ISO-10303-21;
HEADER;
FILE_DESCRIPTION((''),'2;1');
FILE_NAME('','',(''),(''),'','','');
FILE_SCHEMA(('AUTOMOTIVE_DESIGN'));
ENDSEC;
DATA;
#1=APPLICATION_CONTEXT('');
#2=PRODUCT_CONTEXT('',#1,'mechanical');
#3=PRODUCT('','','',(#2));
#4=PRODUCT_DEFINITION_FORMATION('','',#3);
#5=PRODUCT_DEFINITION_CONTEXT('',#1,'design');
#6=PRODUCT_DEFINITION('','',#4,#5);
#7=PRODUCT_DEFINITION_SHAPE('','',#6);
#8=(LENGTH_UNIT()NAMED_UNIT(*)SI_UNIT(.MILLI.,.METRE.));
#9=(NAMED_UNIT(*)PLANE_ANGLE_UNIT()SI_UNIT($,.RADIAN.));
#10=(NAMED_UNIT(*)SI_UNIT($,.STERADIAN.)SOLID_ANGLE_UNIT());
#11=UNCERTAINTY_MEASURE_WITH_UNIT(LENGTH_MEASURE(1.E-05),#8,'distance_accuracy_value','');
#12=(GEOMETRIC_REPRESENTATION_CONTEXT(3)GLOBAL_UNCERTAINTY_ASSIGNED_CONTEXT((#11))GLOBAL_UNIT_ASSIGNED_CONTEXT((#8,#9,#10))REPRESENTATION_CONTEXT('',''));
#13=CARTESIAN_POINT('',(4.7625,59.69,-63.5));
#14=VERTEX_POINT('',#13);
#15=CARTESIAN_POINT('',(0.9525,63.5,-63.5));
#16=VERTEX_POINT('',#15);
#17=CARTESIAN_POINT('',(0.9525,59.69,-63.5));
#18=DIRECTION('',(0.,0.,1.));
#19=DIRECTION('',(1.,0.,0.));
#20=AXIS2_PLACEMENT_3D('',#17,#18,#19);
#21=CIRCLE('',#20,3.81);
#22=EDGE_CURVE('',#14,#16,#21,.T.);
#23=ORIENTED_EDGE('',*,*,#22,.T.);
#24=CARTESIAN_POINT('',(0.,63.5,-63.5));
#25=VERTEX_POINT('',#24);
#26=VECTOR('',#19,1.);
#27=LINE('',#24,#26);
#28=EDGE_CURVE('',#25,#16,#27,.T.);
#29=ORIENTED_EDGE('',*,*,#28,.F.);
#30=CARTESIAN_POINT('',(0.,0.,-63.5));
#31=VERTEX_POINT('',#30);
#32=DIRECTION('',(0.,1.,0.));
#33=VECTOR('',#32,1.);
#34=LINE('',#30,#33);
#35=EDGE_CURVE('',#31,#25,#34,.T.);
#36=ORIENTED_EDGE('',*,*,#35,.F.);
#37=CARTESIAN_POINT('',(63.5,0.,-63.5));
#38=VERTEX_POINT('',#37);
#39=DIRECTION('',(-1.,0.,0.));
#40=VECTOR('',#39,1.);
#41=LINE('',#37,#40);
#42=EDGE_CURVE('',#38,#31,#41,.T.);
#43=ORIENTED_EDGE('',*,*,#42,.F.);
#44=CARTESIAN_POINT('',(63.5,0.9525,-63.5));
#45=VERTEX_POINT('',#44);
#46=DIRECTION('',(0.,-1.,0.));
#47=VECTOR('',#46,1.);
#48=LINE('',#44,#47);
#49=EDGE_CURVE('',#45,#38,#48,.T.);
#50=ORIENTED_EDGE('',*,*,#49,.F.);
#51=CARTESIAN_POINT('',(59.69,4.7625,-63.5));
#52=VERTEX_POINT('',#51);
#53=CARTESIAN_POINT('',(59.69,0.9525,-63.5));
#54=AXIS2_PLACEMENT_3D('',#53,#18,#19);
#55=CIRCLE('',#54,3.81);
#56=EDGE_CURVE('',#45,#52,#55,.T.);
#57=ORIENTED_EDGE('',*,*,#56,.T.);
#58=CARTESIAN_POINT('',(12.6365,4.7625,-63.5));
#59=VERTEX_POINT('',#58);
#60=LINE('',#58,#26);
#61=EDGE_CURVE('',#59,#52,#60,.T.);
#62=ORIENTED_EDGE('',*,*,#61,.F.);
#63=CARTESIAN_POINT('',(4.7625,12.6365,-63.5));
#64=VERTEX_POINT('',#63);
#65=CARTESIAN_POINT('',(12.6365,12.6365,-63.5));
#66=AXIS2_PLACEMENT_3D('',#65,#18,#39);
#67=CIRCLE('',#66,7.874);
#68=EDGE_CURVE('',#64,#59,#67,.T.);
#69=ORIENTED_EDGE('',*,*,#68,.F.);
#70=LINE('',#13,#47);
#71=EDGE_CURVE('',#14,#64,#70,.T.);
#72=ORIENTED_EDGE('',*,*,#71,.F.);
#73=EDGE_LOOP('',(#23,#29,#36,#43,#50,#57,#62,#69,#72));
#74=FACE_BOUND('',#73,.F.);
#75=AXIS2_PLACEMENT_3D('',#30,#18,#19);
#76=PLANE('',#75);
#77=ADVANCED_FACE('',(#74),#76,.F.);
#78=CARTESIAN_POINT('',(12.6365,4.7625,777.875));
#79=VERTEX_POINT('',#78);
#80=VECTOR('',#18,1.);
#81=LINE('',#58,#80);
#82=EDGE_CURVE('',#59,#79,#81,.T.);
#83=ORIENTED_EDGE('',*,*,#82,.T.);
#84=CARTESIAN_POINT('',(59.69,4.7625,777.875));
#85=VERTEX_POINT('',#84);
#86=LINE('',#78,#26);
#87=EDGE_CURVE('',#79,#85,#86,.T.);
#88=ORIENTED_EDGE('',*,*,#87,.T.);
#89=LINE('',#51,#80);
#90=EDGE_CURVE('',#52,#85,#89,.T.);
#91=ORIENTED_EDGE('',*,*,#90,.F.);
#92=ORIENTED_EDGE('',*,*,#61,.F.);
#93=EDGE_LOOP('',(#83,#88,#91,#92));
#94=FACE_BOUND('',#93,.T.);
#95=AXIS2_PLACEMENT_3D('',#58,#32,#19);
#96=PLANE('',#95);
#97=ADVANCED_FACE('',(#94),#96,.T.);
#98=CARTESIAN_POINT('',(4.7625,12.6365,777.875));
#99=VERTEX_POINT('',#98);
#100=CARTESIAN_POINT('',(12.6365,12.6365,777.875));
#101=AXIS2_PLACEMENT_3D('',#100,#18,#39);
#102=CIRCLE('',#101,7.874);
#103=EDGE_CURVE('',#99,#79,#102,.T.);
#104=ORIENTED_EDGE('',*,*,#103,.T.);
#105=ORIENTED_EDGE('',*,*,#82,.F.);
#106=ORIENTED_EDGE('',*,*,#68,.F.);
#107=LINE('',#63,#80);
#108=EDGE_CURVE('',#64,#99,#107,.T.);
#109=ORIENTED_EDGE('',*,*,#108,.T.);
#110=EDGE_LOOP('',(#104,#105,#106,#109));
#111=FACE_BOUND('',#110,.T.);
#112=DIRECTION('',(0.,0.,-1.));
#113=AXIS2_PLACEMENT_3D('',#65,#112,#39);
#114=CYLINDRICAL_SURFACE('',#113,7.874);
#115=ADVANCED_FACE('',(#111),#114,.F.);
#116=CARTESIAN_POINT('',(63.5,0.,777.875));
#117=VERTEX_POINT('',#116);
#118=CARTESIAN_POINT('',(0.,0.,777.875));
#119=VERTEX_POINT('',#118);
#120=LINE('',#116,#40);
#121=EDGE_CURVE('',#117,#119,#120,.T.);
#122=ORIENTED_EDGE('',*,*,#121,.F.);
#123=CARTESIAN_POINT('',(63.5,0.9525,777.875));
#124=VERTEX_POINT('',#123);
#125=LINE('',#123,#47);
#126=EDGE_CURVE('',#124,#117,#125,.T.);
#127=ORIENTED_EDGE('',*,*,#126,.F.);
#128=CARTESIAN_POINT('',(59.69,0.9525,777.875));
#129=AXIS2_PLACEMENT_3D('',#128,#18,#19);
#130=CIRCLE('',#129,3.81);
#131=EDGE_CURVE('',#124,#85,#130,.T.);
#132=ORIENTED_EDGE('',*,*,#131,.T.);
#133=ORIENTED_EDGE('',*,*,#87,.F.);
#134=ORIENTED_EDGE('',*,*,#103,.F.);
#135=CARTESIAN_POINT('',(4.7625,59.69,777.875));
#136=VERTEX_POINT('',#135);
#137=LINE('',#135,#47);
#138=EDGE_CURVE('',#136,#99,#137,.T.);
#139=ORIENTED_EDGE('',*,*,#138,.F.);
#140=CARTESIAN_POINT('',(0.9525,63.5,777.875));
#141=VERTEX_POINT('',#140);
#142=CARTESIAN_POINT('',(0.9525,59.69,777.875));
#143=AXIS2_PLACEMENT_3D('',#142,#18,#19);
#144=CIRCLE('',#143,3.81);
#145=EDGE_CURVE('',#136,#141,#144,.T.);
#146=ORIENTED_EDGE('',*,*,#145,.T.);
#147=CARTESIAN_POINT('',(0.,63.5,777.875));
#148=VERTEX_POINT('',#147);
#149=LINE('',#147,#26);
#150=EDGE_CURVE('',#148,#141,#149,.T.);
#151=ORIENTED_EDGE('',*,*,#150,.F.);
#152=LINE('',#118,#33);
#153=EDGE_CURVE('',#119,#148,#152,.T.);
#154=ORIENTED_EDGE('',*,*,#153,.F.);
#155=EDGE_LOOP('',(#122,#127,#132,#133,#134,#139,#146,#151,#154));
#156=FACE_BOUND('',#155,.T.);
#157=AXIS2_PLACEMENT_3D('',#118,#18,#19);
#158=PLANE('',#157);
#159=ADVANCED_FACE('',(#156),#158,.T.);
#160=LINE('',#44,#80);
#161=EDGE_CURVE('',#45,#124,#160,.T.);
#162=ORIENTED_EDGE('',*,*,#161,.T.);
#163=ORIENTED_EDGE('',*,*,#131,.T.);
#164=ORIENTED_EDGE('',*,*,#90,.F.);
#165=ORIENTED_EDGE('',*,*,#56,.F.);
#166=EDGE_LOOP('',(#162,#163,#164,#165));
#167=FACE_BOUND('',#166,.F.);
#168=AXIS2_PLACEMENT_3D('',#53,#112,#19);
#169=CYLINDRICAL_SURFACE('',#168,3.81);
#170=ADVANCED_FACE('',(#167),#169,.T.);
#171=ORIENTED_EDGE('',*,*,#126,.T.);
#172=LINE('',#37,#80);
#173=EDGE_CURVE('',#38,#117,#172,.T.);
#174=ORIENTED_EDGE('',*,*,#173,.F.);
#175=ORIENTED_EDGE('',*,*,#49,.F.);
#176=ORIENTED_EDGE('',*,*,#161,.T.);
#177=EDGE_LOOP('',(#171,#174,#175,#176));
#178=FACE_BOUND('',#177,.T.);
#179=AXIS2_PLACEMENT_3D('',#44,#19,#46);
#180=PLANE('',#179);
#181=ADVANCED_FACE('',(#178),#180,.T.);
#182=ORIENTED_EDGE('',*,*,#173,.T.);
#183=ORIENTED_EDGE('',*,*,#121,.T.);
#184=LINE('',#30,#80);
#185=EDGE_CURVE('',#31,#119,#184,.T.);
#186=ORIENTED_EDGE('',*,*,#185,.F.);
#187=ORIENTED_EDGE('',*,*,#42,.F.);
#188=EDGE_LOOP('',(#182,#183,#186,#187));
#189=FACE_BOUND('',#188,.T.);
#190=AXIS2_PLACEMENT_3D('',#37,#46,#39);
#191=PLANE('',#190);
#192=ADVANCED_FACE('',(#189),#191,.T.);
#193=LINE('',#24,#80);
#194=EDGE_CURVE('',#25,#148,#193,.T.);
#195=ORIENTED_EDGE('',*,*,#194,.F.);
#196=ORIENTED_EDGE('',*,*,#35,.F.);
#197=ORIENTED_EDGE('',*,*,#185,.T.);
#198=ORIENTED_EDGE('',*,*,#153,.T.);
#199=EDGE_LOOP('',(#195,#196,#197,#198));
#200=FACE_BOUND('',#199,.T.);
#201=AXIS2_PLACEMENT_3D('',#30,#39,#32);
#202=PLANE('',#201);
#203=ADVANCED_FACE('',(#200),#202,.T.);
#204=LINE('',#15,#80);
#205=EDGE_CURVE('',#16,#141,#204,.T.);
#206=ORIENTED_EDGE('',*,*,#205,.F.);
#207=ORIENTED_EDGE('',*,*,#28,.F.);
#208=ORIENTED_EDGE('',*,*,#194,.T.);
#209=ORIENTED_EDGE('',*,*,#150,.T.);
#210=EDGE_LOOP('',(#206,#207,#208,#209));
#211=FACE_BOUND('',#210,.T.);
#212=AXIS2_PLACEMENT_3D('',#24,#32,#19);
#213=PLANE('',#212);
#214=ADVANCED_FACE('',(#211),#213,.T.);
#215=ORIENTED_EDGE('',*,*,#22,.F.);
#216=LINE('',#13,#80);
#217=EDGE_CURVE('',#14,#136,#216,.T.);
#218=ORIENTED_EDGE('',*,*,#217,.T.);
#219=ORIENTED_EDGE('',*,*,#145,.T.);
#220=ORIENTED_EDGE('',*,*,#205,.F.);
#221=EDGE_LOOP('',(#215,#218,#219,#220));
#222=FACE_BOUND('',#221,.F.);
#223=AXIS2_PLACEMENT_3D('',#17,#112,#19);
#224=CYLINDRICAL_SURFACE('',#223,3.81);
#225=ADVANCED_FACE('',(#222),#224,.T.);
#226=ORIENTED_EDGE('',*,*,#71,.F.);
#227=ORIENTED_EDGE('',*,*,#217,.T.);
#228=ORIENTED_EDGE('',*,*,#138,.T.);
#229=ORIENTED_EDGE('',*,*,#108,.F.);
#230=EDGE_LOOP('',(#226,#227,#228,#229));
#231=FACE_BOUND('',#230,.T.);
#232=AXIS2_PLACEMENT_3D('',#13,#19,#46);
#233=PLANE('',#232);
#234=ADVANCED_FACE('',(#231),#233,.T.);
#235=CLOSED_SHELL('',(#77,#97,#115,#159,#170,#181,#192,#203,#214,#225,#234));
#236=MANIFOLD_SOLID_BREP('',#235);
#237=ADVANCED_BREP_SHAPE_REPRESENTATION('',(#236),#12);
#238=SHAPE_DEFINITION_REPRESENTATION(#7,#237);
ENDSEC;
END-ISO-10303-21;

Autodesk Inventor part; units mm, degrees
ref_plane "Start plane" through (0, 0, -63.5) normal (0, 0, 1) x (1, 0, 0)
ref_plane "End plane" through (0, 0, 777.875) normal (0, 0, 1) x (1, 0, 0)
sketch "Sketch" plane through (0, 0, 0) normal (0, 0, 1) x (1, 0, 0)
  line L0 (63.5, 0) -> (0, 0)
  line L1 (0, 0) -> (0, 63.5)
  line L2 (0, 63.5) -> (0.9525, 63.5)
  line L3 (4.7625, 59.69) -> (4.7625, 12.6365)
  line L4 (12.6365, 4.7625) -> (59.69, 4.7625)
  line L5 (63.5, 0.9525) -> (63.5, 0)
  line L6 (0, -11.0414) -> (0, 31.5385) construction
  line L7 (-11.0414, 0) -> (31.5385, 0) construction
  arc A0 (4.7625, 12.6365) -> (12.6365, 4.7625) centre (12.6365, 12.6365) ccw
  arc A1 (4.7625, 59.69) -> (0.9525, 63.5) centre (0.9525, 59.69) ccw
  arc A2 (63.5, 0.9525) -> (59.69, 4.7625) centre (59.69, 0.9525) ccw
  line L8 (0, 79.3552) -> (0, -26.1075) construction
  line L9 (-26.1075, 0) -> (79.3552, 0) construction
  point P0 (4.7625, 63.5)
  point P1 (4.7625, 4.7625)
  point P2 (63.5, 4.7625)
  dimension "d0" = 63.5
  dimension "d1" = 63.5
  dimension "d2" = 4.7625
  dimension "d3" = 4.7625
  dimension "d10" = 0
  dimension "d11" = 0
  dimension "d14" = 7.874
  dimension "d15" = 3.81
extrude "Body" add sketch "Sketch" along normal up to surface (841.375 mm away) from surface at -63.5
sketch "Sketch3" plane through (0, 0, 0) normal (0, 0, 1) x (1, 0, 0)
  line L0 (0, 0) -> (10, 0)
ref_plane "Work Plane4" through (0, 0, 0) normal (0, -1, 0) x (1, 0, 0)
sketch "Sketch4" plane through (0, 0, 0) normal (0, -1, 0) x (1, 0, 0)
  line L0 (-2, -63.5) -> (12, -63.5)
  line L1 (-2, 777.875) -> (12, 777.875)
  dimension "d17" = 841.375
ref_plane "Work Plane3" through (0, -454.025, -63.5) normal (0, 0, -1) x (-1, 0, 0)
split "Split1" plane through (0, -454.025, -63.5) removes the side toward (0, 0, -1)
equation "\"d0\" = G_H"
equation "\"d1\" = G_H"
equation "\"d2\" = G_T"
equation "\"d3\" = G_T"
equation "\"d14\" = G_IR"
equation "\"d15\" = G_ER"
equation "\"d4\" = G_L"
equation "\"G_H\" = 63.5"
equation "\"G_T\" = 4.7625"
equation "\"G_ER\" = 3.81"
equation "\"G_IR\" = 7.874"
equation "\"G_L\" = d17"
equation "\"ex\" = 0"
equation "\"G_OFFSET_START\" = 63.5"
equation "\"G_OFFSET_END\" = 0"
equation "\"d12\" = -G_OFFSET_START"
equation "\"d13\" = G_OFFSET_END + B_L"
equation "\"B_L\" = 777.875"
properties part number "ANSI L 2.5 x 2.5 x 3_16 00000003"
